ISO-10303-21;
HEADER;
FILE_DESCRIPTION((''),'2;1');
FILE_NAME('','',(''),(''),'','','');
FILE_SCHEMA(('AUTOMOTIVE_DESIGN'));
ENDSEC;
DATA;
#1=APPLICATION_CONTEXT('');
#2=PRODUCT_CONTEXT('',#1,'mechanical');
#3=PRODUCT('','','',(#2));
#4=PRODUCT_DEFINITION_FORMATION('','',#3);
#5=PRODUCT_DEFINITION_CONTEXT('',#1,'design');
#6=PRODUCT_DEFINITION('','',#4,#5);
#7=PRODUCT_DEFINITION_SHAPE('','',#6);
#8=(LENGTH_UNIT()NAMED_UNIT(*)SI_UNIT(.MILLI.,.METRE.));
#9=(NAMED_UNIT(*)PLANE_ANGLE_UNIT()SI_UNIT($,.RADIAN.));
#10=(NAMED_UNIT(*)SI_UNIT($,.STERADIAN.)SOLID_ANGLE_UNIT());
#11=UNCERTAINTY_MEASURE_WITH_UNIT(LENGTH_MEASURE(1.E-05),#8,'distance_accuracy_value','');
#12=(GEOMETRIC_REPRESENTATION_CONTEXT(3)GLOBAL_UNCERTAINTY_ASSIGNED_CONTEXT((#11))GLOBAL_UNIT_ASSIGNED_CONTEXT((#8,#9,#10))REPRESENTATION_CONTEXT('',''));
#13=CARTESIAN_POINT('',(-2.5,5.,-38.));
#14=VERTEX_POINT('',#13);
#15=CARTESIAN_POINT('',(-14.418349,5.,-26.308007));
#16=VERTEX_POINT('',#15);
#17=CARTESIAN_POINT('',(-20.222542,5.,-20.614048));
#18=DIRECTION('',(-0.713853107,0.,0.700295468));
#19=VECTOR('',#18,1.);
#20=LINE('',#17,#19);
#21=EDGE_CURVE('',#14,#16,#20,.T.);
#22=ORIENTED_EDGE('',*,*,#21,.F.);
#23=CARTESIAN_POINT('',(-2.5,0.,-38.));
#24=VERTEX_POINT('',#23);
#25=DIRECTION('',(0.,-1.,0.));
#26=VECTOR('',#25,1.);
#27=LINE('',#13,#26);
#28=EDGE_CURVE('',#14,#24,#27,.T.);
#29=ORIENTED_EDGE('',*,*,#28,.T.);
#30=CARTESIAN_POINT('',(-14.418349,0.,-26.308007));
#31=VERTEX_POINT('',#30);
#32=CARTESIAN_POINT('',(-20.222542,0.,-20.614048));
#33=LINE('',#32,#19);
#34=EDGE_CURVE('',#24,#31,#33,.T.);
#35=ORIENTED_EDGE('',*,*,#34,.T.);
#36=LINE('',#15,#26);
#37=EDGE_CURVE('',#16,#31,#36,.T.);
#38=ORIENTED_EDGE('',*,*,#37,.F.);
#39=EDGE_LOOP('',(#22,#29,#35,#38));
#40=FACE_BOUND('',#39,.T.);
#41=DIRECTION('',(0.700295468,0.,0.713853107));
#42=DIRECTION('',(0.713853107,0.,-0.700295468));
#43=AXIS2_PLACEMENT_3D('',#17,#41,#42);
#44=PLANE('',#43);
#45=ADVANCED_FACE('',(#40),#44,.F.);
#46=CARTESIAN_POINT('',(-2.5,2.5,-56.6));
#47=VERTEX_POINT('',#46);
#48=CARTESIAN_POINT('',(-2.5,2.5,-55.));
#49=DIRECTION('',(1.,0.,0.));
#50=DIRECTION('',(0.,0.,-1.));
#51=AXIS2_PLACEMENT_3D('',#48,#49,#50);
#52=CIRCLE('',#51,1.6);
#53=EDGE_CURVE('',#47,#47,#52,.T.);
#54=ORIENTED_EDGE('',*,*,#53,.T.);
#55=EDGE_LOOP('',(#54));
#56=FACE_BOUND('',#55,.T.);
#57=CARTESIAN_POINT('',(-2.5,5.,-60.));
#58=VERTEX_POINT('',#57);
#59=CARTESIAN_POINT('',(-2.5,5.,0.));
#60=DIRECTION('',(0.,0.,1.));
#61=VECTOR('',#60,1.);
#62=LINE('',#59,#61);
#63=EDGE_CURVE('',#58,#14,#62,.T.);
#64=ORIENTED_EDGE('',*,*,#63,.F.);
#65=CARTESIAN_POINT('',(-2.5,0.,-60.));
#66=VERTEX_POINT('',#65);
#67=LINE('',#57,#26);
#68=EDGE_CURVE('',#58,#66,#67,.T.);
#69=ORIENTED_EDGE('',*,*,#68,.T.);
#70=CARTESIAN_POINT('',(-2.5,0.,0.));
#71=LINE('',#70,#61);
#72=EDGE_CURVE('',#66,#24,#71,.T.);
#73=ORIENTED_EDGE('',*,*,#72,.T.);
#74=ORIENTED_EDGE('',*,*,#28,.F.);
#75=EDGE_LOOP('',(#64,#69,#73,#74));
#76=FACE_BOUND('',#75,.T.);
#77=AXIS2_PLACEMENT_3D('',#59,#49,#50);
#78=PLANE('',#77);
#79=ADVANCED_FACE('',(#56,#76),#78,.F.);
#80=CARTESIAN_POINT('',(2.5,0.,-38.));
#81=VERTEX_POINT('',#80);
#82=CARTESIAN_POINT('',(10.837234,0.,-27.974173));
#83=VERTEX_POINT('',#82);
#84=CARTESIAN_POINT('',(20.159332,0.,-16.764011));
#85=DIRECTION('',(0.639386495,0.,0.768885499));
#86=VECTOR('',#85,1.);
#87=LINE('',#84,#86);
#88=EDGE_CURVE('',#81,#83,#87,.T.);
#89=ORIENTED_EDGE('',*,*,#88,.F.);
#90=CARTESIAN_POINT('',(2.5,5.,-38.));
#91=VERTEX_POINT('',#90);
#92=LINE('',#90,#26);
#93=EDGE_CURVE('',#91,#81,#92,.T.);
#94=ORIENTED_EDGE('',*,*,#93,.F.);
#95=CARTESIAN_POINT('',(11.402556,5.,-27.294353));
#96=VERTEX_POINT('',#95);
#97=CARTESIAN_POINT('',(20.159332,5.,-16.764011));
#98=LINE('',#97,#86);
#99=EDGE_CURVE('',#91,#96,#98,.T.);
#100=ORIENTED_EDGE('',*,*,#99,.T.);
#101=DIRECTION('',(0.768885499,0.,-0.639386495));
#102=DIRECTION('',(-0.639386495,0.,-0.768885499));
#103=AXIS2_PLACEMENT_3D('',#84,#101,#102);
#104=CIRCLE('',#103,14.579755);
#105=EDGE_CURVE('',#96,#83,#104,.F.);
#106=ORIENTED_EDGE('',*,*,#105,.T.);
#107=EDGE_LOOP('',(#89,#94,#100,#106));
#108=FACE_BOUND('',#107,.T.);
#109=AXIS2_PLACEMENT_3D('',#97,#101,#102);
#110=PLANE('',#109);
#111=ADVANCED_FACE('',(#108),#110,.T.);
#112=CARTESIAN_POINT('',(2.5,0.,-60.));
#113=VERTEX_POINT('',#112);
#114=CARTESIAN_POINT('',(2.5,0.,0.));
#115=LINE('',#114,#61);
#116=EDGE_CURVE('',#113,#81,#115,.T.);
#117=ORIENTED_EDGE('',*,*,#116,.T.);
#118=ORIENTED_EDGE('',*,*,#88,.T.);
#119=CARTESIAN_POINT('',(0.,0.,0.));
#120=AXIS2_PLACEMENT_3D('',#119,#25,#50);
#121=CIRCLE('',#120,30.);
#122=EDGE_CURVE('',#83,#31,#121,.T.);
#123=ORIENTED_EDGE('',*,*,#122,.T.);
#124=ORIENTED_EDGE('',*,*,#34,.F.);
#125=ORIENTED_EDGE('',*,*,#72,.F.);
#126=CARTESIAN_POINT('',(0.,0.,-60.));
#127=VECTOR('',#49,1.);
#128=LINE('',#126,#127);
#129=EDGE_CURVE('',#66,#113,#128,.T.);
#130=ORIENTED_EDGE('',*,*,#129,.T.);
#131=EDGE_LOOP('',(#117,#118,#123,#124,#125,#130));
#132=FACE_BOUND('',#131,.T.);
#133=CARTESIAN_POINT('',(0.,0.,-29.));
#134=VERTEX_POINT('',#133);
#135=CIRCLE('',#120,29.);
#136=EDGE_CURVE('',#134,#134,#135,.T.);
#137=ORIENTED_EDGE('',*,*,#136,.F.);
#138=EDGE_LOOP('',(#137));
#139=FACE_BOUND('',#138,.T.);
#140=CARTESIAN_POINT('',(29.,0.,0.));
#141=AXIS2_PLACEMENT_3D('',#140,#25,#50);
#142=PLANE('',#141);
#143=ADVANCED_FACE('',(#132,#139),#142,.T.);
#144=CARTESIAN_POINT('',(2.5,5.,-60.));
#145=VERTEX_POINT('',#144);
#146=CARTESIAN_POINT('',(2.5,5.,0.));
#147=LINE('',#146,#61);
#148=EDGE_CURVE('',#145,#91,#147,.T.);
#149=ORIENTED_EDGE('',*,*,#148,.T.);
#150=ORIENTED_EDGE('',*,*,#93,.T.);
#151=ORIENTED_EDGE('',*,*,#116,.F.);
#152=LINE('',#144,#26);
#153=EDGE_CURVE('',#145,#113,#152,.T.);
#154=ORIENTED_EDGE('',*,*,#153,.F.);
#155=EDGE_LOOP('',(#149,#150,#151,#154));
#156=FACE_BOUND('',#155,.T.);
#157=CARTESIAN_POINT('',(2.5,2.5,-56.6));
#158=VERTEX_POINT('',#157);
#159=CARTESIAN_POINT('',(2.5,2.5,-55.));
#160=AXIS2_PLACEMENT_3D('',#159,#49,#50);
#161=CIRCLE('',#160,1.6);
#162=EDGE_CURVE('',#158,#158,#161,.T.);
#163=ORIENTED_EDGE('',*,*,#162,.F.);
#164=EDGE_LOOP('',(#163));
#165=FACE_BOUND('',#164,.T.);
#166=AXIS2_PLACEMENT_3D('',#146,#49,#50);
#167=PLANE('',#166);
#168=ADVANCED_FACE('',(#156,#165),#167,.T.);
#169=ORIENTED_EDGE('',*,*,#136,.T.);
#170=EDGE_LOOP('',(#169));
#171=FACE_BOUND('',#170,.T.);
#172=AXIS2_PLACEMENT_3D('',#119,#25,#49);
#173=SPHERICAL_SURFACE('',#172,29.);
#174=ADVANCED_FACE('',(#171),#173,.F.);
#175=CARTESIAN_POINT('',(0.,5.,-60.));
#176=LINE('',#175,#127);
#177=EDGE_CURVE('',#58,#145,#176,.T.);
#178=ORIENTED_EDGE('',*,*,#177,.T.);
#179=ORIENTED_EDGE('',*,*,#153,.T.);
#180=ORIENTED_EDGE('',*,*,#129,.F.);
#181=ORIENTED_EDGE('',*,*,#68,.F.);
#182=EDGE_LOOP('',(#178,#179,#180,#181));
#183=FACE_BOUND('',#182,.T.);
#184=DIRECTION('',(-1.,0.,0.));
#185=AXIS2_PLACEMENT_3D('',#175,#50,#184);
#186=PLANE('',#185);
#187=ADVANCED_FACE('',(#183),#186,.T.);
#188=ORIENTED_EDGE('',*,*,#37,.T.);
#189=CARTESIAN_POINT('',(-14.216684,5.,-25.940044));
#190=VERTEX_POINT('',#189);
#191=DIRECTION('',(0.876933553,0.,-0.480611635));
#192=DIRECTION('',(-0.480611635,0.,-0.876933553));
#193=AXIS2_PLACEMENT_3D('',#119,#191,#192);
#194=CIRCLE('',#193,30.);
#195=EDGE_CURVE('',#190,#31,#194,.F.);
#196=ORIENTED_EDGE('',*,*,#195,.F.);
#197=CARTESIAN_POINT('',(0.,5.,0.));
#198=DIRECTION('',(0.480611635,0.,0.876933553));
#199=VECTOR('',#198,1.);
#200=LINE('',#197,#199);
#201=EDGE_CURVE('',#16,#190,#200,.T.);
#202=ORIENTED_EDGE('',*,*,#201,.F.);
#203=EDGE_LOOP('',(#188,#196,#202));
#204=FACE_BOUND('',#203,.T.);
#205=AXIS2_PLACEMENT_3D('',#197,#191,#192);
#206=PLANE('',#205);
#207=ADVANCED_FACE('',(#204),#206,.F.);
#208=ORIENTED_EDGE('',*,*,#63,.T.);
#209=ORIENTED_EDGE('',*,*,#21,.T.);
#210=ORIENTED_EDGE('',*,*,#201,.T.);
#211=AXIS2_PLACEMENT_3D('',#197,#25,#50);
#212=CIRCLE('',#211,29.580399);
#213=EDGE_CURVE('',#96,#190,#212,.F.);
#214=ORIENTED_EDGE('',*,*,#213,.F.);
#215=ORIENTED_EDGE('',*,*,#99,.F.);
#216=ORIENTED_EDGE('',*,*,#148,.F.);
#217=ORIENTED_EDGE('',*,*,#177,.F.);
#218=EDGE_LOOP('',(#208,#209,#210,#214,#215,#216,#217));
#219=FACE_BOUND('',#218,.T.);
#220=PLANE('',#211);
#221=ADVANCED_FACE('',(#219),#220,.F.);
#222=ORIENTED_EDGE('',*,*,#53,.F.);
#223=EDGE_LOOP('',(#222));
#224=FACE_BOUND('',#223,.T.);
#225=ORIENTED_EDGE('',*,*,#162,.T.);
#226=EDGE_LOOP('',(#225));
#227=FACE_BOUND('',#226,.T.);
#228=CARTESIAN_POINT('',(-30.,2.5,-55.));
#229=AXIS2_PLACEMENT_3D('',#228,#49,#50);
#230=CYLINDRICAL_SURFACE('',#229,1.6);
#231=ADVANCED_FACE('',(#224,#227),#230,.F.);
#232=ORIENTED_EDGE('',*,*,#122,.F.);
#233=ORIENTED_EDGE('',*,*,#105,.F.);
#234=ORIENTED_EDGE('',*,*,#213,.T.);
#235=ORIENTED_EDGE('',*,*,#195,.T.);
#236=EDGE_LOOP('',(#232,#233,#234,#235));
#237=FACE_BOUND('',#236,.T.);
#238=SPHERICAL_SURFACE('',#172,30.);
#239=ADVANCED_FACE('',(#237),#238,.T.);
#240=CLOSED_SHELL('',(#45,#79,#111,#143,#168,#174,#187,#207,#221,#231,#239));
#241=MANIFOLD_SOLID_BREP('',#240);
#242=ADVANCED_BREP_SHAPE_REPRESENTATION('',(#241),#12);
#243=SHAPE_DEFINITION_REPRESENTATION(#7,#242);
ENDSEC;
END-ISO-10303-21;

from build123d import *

# Parameters (mm, degrees)
SKETCH3_W           = 5
SKETCH3_H           = 30
BOSS_EXTRUDE1_DEPTH = 5
SKETCH4_R           = 1.6
CUT_EXTRUDE1_DEPTH  = 75.540257579


with BuildPart() as part:
    # Sketch2 → Revolve1 (revolve)
    with BuildSketch(Plane.XY):
        with BuildLine():
            Line((0, 29), (0, 30))
            ThreePointArc((0, 30), (21.213203436, 21.213203436), (30, 0))
            Line((30, 0), (29, 0))
            ThreePointArc((29, 0), (20.506096654, 20.506096654), (0, 29))
        make_face()
    revolve(axis=Axis((0, 0, 0), (0, 1, 0)))

    # Sketch3 → Boss-Extrude1 (add)
    with BuildSketch(Plane.XZ):
        with Locations((0, -45)):
            Rectangle(SKETCH3_W, SKETCH3_H)
        with BuildLine():
            Line((-2.5, -38), (2.5, -38))
            Line((2.5, -38), (12.22277757, -26.308006594))
            Line((12.22277757, -26.308006594), (12.219091313, -26.300072385))
            ThreePointArc((12.219091313, -26.300072385), (-0.967100454, -29.109666297), (-13.937737405, -25.431073041))
            Line((-13.937737405, -25.431073041), (-14.41834904, -26.308006594))
            Line((-14.41834904, -26.308006594), (-2.5, -38))
        make_face()
    extrude(amount=-BOSS_EXTRUDE1_DEPTH)

    # Sketch4 → Cut-Extrude1 (cut, through all)
    with BuildSketch(Plane(origin=(2.5, 0, 0), x_dir=(0, 0, -1), z_dir=(1, 0, 0))):
        with Locations((55, 2.5)):
            Circle(SKETCH4_R)
    extrude(amount=-CUT_EXTRUDE1_DEPTH, mode=Mode.SUBTRACT)


solid = part.part
